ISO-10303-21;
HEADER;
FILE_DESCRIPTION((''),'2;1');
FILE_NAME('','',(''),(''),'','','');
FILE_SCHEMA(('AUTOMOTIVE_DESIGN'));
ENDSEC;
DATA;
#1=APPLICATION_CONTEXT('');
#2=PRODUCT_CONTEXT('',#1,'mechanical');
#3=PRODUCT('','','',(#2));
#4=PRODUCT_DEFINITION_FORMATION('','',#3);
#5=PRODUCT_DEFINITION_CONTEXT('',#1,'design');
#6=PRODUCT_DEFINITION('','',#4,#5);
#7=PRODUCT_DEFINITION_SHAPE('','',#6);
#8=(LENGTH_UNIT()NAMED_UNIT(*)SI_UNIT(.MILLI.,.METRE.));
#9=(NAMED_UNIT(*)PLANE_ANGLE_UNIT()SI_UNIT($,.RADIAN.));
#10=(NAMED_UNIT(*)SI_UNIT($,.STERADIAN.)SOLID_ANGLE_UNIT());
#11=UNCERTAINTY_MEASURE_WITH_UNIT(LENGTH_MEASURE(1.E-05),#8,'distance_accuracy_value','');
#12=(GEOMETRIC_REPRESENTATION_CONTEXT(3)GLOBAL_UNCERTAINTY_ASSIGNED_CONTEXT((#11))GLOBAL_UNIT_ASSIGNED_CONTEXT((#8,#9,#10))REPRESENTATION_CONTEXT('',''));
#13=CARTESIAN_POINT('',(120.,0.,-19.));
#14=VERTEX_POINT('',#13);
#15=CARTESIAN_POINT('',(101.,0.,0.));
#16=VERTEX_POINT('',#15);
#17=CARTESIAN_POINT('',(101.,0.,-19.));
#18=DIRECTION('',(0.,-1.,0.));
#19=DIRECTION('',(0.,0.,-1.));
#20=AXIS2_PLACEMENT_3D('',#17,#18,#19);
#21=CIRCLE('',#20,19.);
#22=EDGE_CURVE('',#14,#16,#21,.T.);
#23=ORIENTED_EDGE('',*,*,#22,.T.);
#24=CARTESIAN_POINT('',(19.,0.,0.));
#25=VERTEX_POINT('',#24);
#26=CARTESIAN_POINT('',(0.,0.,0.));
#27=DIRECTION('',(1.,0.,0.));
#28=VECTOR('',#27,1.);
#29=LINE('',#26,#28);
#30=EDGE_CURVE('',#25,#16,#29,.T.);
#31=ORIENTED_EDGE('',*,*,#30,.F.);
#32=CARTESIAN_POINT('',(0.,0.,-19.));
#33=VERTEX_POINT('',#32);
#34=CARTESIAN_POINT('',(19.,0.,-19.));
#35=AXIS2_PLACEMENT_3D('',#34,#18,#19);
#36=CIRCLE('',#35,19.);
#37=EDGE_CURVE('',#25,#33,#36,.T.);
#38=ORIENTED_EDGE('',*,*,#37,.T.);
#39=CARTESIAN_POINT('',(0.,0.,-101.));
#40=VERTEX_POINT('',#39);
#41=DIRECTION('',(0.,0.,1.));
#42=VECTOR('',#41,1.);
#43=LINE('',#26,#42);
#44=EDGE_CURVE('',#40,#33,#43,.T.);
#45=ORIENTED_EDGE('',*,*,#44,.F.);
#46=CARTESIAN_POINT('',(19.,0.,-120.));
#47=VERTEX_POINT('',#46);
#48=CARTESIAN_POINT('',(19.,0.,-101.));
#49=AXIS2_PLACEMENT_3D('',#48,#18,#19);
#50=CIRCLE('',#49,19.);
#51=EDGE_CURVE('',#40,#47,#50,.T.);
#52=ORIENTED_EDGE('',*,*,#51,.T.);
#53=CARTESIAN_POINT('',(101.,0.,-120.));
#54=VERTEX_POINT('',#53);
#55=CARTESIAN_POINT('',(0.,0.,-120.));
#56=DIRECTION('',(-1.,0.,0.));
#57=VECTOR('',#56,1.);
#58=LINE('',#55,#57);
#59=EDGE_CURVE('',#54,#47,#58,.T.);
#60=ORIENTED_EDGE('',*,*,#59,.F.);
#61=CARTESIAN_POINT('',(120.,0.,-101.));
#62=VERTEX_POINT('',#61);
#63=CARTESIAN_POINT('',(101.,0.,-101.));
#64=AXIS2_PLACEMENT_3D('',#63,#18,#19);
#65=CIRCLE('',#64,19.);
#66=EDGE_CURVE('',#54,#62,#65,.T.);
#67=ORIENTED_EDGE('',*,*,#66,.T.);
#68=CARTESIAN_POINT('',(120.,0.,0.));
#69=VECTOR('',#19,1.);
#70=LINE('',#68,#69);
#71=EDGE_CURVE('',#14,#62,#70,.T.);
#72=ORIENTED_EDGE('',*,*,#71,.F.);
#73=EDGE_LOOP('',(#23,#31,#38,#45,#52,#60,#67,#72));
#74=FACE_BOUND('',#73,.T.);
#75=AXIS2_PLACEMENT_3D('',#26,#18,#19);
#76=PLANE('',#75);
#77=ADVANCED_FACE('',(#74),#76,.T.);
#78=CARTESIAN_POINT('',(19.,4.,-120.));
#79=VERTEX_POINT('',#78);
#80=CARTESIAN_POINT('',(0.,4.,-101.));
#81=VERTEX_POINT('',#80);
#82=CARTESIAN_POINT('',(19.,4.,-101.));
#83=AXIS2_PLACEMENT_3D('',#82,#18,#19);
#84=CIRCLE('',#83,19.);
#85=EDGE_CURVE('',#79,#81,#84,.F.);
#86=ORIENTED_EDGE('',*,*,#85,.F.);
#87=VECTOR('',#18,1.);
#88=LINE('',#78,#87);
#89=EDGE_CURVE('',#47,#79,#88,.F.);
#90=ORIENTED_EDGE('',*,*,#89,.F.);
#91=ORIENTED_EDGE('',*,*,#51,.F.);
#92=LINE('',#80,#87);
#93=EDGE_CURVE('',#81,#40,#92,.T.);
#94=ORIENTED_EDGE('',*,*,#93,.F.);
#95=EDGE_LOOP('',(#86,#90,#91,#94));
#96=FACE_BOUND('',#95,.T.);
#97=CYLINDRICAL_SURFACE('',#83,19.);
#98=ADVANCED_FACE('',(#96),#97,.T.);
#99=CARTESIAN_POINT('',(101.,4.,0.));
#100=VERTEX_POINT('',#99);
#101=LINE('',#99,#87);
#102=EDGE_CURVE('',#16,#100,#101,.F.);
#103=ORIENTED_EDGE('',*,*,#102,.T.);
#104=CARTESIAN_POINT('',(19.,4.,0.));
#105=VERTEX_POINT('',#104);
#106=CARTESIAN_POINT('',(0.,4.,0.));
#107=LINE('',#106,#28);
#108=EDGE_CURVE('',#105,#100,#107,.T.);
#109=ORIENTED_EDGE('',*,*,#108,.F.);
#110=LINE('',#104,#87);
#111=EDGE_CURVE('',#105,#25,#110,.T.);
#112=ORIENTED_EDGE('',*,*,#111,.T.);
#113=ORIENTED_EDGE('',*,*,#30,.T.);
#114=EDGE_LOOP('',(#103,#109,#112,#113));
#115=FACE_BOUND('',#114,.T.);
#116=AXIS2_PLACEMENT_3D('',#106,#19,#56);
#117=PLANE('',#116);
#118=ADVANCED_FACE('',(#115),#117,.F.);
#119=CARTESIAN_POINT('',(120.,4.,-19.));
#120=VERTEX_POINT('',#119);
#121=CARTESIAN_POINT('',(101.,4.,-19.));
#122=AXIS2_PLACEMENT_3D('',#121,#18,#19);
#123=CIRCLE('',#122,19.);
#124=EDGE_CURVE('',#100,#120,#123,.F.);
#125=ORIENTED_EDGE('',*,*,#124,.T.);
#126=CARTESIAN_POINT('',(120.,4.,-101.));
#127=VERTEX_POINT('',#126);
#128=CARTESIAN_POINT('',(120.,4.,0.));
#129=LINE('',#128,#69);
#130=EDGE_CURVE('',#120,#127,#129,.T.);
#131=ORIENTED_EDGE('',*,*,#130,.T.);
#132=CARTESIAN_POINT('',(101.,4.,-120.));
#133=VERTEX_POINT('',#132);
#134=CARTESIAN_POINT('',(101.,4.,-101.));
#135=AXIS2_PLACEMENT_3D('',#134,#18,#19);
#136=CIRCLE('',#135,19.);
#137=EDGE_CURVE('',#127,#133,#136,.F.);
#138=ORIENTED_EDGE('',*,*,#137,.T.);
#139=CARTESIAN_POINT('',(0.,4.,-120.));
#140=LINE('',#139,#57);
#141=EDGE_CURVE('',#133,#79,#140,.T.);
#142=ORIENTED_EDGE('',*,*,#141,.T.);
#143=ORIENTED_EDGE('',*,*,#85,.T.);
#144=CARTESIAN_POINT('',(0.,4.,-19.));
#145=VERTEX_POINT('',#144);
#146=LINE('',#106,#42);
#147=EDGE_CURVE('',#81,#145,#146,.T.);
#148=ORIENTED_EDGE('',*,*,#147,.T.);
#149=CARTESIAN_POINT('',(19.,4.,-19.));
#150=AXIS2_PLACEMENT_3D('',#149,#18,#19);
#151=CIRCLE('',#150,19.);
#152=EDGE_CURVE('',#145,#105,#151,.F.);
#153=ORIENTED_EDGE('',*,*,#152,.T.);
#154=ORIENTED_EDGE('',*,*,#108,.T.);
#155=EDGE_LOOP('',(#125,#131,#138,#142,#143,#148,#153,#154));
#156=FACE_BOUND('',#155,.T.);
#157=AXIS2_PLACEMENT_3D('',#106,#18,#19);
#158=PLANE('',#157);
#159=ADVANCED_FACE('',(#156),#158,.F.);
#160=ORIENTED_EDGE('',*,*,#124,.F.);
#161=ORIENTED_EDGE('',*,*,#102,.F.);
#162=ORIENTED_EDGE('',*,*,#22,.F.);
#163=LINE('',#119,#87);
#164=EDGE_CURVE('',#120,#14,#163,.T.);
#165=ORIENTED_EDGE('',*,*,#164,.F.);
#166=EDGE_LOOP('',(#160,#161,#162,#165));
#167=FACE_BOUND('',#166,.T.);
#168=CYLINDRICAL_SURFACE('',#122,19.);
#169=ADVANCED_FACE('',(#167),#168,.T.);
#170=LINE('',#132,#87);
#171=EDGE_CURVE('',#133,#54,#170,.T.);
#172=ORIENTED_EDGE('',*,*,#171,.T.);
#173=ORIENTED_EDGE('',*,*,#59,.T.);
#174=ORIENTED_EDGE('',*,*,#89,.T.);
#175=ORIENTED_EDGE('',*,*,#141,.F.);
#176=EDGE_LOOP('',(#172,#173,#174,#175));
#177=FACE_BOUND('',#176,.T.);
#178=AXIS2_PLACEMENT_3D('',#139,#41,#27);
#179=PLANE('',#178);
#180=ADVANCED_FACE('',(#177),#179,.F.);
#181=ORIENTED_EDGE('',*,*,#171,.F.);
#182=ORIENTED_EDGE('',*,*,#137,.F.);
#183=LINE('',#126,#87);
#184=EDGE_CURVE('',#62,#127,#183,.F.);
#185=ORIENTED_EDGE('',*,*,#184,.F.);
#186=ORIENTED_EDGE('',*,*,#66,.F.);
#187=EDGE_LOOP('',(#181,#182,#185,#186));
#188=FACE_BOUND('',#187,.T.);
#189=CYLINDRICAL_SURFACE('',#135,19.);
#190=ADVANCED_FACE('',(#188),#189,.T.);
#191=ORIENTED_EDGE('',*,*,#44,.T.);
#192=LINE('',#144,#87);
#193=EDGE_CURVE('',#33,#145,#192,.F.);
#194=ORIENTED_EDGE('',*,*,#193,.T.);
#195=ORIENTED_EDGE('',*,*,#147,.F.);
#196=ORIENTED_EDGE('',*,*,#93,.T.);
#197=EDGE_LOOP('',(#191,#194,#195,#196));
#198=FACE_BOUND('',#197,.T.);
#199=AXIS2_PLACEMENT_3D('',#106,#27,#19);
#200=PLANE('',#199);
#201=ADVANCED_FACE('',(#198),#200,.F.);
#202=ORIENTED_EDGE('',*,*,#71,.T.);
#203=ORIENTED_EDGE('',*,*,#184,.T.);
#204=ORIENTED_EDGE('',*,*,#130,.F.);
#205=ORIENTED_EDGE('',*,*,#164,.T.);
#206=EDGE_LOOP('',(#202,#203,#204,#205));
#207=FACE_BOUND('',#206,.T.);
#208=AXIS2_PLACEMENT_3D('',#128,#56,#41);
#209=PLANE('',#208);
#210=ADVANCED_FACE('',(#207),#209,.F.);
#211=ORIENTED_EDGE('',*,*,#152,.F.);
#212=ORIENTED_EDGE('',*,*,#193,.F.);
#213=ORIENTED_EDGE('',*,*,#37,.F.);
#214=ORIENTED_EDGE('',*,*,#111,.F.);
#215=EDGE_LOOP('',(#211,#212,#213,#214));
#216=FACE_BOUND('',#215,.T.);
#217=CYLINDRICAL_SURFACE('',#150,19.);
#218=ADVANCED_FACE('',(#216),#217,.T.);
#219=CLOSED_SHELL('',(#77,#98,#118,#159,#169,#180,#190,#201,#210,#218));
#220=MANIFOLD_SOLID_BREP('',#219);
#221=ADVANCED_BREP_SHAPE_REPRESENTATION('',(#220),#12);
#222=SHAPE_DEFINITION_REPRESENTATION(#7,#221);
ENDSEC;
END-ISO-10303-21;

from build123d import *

# Parameters (mm, degrees)
SKETCH1_W           = 120
SKETCH1_H           = 120
BOSS_EXTRUDE1_DEPTH = 4
FILLET1_R           = 19


with BuildPart() as part:
    # Sketch1 → Boss-Extrude1 (new body)
    with BuildSketch(Plane(origin=(0, 0, 0), x_dir=(1, 0, 0), z_dir=(0, 1, 0))):
        with Locations((60, 60)):
            Rectangle(SKETCH1_W, SKETCH1_H)
    extrude(amount=BOSS_EXTRUDE1_DEPTH)

    # Fillet1
    fillet1_edges = [part.edges().sort_by_distance(p)[0] for p in [
        (0, 2, -120),
        (120, 2, -120),
        (120, 2, 0),
        (0, 2, 0),
    ]]
    fillet(fillet1_edges, radius=FILLET1_R)


solid = part.part
